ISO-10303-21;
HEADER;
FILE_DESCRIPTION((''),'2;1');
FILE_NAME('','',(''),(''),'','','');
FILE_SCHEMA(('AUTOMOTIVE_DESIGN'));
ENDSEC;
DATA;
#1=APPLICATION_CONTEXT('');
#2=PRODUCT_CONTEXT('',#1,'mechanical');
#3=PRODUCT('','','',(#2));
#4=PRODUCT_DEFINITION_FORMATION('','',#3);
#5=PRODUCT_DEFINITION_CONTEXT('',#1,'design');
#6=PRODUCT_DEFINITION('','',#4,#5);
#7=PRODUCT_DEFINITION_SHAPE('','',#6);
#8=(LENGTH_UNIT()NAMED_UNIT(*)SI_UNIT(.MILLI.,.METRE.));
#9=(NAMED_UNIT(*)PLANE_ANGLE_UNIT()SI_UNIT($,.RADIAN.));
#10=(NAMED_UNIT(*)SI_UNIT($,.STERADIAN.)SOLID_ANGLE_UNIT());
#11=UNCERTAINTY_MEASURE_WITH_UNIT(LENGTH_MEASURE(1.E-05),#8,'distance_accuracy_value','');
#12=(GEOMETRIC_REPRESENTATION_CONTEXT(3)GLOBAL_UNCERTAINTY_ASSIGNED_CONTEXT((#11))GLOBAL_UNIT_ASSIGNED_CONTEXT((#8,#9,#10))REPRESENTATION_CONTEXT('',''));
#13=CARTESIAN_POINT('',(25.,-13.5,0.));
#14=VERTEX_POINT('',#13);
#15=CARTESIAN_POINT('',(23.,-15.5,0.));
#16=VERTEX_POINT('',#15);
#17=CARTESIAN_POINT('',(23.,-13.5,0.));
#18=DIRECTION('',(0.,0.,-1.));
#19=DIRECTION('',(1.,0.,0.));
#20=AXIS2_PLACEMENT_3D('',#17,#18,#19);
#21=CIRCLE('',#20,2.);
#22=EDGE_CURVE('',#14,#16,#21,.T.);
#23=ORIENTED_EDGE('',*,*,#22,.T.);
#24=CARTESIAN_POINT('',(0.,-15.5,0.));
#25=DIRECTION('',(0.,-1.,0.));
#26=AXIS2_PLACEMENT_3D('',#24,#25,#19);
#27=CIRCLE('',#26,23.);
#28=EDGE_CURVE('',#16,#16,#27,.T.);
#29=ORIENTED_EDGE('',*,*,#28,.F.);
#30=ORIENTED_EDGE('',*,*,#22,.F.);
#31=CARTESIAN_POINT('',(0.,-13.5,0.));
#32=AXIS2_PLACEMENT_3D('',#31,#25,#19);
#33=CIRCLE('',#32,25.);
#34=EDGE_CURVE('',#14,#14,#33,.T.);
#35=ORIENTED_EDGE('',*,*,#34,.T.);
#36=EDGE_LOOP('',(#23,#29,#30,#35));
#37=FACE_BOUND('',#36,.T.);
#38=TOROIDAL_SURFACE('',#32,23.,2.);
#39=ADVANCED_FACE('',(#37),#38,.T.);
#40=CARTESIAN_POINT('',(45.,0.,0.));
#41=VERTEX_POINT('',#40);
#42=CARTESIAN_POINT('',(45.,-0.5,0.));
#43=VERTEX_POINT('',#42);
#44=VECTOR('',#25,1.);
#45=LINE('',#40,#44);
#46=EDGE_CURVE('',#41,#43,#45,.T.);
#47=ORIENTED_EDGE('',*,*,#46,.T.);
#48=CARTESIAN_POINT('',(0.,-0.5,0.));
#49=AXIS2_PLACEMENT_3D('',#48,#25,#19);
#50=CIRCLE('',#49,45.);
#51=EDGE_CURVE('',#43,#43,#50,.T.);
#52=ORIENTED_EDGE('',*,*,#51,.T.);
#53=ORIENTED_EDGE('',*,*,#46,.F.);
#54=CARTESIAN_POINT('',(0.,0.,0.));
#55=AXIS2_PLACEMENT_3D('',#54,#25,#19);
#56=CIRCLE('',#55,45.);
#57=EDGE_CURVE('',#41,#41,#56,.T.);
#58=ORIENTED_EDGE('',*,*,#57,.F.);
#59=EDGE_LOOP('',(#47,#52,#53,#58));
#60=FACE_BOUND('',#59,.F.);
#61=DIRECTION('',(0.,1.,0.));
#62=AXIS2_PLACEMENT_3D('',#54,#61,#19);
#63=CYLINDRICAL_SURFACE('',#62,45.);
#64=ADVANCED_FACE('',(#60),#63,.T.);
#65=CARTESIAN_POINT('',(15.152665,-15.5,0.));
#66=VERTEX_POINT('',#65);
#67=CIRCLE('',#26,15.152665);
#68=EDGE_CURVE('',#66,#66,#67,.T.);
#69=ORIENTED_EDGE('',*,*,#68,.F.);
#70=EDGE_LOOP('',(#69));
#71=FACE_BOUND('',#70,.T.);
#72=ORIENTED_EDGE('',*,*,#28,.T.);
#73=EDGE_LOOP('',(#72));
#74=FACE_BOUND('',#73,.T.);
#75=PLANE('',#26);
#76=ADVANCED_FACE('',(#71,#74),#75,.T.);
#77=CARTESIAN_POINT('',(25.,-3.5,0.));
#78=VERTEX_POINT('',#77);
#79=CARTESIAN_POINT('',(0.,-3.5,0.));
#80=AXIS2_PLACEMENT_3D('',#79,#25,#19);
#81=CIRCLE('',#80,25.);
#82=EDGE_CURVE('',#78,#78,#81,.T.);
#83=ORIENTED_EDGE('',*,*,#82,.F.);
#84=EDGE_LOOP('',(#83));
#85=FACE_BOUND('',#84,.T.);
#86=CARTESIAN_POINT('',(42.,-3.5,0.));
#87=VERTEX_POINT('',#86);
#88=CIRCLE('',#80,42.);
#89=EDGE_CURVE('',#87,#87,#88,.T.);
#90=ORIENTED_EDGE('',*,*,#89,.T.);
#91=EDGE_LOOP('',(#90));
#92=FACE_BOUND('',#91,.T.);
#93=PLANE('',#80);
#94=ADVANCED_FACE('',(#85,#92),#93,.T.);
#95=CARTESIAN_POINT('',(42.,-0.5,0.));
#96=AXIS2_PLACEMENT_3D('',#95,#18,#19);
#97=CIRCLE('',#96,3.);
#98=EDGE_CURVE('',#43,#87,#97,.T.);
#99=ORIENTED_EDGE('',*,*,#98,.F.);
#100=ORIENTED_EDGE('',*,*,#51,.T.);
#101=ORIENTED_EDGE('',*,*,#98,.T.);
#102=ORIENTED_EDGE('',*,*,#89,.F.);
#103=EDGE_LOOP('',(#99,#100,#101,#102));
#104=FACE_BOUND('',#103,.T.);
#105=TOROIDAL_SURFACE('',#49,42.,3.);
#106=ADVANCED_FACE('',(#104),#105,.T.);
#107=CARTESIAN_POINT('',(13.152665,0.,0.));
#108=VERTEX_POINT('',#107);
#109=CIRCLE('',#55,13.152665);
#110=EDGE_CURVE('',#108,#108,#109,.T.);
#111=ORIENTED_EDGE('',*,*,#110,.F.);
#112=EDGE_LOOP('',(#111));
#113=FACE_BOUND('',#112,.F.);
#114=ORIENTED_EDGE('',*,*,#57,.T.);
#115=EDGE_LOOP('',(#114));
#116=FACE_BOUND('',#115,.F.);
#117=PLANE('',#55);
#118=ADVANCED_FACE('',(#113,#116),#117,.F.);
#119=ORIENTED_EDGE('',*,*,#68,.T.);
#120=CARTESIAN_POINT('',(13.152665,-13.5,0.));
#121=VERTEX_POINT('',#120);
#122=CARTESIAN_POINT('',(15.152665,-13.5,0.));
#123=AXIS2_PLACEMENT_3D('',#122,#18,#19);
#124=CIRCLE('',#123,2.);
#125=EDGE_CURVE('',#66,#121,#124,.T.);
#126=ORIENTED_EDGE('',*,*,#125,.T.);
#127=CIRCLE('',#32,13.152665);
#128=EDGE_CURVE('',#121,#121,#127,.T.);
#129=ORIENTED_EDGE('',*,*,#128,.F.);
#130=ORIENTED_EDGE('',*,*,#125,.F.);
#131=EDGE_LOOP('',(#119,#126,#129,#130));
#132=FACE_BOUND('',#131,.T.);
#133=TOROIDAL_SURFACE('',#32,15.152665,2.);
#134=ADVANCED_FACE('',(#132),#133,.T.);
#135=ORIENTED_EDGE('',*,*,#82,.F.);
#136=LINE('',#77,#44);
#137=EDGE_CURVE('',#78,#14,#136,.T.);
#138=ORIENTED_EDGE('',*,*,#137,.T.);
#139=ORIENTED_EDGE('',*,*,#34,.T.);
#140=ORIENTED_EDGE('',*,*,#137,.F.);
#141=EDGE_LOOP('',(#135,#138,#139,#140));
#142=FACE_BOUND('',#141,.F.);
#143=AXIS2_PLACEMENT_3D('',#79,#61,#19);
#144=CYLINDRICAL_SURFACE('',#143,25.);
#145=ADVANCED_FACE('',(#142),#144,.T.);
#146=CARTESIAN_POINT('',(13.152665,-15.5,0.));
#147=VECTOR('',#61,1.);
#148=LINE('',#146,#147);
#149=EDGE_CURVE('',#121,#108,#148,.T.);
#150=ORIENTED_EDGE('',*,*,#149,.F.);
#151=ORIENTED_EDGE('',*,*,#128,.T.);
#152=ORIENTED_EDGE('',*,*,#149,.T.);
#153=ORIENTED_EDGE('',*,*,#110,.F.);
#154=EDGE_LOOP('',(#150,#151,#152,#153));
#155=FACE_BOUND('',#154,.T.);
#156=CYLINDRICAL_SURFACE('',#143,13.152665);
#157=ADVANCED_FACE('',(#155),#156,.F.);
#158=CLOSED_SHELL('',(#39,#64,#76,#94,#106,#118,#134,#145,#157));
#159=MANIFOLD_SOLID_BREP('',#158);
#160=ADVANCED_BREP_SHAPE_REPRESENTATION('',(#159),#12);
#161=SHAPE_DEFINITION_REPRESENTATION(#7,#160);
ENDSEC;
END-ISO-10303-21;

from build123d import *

# Parameters (mm, degrees)
F0_R     = 45
F0_R_2   = 13.1526649771
F1_DEPTH = 3.5
F2_R     = 3
F3_R     = 25
F3_R_2   = 13.1526649771
F4_DEPTH = 12
F5_R     = 2


with BuildPart() as f1:
    # F0 (on Front) → F1 (new body)
    with BuildSketch(Plane.XZ):
        Circle(F0_R)
        Circle(F0_R_2, mode=Mode.SUBTRACT)
    extrude(amount=F1_DEPTH)

    # F2
    f2_edges = [f1.edges().sort_by_distance(p)[0] for p in [
        (-45, -3.5, 0),
    ]]
    fillet(f2_edges, radius=F2_R)

    # F3 (on face) → F4 (join)
    with BuildSketch(Plane.XZ.offset(3.5)):
        Circle(F3_R)
        Circle(F3_R_2, mode=Mode.SUBTRACT)
    extrude(amount=F4_DEPTH)

    # F5
    f5_edges = [f1.edges().sort_by_distance(p)[0] for p in [
        (-13.152665, -15.5, 0),
        (-25, -15.5, 0),
    ]]
    fillet(f5_edges, radius=F5_R)


solid = f1.part
